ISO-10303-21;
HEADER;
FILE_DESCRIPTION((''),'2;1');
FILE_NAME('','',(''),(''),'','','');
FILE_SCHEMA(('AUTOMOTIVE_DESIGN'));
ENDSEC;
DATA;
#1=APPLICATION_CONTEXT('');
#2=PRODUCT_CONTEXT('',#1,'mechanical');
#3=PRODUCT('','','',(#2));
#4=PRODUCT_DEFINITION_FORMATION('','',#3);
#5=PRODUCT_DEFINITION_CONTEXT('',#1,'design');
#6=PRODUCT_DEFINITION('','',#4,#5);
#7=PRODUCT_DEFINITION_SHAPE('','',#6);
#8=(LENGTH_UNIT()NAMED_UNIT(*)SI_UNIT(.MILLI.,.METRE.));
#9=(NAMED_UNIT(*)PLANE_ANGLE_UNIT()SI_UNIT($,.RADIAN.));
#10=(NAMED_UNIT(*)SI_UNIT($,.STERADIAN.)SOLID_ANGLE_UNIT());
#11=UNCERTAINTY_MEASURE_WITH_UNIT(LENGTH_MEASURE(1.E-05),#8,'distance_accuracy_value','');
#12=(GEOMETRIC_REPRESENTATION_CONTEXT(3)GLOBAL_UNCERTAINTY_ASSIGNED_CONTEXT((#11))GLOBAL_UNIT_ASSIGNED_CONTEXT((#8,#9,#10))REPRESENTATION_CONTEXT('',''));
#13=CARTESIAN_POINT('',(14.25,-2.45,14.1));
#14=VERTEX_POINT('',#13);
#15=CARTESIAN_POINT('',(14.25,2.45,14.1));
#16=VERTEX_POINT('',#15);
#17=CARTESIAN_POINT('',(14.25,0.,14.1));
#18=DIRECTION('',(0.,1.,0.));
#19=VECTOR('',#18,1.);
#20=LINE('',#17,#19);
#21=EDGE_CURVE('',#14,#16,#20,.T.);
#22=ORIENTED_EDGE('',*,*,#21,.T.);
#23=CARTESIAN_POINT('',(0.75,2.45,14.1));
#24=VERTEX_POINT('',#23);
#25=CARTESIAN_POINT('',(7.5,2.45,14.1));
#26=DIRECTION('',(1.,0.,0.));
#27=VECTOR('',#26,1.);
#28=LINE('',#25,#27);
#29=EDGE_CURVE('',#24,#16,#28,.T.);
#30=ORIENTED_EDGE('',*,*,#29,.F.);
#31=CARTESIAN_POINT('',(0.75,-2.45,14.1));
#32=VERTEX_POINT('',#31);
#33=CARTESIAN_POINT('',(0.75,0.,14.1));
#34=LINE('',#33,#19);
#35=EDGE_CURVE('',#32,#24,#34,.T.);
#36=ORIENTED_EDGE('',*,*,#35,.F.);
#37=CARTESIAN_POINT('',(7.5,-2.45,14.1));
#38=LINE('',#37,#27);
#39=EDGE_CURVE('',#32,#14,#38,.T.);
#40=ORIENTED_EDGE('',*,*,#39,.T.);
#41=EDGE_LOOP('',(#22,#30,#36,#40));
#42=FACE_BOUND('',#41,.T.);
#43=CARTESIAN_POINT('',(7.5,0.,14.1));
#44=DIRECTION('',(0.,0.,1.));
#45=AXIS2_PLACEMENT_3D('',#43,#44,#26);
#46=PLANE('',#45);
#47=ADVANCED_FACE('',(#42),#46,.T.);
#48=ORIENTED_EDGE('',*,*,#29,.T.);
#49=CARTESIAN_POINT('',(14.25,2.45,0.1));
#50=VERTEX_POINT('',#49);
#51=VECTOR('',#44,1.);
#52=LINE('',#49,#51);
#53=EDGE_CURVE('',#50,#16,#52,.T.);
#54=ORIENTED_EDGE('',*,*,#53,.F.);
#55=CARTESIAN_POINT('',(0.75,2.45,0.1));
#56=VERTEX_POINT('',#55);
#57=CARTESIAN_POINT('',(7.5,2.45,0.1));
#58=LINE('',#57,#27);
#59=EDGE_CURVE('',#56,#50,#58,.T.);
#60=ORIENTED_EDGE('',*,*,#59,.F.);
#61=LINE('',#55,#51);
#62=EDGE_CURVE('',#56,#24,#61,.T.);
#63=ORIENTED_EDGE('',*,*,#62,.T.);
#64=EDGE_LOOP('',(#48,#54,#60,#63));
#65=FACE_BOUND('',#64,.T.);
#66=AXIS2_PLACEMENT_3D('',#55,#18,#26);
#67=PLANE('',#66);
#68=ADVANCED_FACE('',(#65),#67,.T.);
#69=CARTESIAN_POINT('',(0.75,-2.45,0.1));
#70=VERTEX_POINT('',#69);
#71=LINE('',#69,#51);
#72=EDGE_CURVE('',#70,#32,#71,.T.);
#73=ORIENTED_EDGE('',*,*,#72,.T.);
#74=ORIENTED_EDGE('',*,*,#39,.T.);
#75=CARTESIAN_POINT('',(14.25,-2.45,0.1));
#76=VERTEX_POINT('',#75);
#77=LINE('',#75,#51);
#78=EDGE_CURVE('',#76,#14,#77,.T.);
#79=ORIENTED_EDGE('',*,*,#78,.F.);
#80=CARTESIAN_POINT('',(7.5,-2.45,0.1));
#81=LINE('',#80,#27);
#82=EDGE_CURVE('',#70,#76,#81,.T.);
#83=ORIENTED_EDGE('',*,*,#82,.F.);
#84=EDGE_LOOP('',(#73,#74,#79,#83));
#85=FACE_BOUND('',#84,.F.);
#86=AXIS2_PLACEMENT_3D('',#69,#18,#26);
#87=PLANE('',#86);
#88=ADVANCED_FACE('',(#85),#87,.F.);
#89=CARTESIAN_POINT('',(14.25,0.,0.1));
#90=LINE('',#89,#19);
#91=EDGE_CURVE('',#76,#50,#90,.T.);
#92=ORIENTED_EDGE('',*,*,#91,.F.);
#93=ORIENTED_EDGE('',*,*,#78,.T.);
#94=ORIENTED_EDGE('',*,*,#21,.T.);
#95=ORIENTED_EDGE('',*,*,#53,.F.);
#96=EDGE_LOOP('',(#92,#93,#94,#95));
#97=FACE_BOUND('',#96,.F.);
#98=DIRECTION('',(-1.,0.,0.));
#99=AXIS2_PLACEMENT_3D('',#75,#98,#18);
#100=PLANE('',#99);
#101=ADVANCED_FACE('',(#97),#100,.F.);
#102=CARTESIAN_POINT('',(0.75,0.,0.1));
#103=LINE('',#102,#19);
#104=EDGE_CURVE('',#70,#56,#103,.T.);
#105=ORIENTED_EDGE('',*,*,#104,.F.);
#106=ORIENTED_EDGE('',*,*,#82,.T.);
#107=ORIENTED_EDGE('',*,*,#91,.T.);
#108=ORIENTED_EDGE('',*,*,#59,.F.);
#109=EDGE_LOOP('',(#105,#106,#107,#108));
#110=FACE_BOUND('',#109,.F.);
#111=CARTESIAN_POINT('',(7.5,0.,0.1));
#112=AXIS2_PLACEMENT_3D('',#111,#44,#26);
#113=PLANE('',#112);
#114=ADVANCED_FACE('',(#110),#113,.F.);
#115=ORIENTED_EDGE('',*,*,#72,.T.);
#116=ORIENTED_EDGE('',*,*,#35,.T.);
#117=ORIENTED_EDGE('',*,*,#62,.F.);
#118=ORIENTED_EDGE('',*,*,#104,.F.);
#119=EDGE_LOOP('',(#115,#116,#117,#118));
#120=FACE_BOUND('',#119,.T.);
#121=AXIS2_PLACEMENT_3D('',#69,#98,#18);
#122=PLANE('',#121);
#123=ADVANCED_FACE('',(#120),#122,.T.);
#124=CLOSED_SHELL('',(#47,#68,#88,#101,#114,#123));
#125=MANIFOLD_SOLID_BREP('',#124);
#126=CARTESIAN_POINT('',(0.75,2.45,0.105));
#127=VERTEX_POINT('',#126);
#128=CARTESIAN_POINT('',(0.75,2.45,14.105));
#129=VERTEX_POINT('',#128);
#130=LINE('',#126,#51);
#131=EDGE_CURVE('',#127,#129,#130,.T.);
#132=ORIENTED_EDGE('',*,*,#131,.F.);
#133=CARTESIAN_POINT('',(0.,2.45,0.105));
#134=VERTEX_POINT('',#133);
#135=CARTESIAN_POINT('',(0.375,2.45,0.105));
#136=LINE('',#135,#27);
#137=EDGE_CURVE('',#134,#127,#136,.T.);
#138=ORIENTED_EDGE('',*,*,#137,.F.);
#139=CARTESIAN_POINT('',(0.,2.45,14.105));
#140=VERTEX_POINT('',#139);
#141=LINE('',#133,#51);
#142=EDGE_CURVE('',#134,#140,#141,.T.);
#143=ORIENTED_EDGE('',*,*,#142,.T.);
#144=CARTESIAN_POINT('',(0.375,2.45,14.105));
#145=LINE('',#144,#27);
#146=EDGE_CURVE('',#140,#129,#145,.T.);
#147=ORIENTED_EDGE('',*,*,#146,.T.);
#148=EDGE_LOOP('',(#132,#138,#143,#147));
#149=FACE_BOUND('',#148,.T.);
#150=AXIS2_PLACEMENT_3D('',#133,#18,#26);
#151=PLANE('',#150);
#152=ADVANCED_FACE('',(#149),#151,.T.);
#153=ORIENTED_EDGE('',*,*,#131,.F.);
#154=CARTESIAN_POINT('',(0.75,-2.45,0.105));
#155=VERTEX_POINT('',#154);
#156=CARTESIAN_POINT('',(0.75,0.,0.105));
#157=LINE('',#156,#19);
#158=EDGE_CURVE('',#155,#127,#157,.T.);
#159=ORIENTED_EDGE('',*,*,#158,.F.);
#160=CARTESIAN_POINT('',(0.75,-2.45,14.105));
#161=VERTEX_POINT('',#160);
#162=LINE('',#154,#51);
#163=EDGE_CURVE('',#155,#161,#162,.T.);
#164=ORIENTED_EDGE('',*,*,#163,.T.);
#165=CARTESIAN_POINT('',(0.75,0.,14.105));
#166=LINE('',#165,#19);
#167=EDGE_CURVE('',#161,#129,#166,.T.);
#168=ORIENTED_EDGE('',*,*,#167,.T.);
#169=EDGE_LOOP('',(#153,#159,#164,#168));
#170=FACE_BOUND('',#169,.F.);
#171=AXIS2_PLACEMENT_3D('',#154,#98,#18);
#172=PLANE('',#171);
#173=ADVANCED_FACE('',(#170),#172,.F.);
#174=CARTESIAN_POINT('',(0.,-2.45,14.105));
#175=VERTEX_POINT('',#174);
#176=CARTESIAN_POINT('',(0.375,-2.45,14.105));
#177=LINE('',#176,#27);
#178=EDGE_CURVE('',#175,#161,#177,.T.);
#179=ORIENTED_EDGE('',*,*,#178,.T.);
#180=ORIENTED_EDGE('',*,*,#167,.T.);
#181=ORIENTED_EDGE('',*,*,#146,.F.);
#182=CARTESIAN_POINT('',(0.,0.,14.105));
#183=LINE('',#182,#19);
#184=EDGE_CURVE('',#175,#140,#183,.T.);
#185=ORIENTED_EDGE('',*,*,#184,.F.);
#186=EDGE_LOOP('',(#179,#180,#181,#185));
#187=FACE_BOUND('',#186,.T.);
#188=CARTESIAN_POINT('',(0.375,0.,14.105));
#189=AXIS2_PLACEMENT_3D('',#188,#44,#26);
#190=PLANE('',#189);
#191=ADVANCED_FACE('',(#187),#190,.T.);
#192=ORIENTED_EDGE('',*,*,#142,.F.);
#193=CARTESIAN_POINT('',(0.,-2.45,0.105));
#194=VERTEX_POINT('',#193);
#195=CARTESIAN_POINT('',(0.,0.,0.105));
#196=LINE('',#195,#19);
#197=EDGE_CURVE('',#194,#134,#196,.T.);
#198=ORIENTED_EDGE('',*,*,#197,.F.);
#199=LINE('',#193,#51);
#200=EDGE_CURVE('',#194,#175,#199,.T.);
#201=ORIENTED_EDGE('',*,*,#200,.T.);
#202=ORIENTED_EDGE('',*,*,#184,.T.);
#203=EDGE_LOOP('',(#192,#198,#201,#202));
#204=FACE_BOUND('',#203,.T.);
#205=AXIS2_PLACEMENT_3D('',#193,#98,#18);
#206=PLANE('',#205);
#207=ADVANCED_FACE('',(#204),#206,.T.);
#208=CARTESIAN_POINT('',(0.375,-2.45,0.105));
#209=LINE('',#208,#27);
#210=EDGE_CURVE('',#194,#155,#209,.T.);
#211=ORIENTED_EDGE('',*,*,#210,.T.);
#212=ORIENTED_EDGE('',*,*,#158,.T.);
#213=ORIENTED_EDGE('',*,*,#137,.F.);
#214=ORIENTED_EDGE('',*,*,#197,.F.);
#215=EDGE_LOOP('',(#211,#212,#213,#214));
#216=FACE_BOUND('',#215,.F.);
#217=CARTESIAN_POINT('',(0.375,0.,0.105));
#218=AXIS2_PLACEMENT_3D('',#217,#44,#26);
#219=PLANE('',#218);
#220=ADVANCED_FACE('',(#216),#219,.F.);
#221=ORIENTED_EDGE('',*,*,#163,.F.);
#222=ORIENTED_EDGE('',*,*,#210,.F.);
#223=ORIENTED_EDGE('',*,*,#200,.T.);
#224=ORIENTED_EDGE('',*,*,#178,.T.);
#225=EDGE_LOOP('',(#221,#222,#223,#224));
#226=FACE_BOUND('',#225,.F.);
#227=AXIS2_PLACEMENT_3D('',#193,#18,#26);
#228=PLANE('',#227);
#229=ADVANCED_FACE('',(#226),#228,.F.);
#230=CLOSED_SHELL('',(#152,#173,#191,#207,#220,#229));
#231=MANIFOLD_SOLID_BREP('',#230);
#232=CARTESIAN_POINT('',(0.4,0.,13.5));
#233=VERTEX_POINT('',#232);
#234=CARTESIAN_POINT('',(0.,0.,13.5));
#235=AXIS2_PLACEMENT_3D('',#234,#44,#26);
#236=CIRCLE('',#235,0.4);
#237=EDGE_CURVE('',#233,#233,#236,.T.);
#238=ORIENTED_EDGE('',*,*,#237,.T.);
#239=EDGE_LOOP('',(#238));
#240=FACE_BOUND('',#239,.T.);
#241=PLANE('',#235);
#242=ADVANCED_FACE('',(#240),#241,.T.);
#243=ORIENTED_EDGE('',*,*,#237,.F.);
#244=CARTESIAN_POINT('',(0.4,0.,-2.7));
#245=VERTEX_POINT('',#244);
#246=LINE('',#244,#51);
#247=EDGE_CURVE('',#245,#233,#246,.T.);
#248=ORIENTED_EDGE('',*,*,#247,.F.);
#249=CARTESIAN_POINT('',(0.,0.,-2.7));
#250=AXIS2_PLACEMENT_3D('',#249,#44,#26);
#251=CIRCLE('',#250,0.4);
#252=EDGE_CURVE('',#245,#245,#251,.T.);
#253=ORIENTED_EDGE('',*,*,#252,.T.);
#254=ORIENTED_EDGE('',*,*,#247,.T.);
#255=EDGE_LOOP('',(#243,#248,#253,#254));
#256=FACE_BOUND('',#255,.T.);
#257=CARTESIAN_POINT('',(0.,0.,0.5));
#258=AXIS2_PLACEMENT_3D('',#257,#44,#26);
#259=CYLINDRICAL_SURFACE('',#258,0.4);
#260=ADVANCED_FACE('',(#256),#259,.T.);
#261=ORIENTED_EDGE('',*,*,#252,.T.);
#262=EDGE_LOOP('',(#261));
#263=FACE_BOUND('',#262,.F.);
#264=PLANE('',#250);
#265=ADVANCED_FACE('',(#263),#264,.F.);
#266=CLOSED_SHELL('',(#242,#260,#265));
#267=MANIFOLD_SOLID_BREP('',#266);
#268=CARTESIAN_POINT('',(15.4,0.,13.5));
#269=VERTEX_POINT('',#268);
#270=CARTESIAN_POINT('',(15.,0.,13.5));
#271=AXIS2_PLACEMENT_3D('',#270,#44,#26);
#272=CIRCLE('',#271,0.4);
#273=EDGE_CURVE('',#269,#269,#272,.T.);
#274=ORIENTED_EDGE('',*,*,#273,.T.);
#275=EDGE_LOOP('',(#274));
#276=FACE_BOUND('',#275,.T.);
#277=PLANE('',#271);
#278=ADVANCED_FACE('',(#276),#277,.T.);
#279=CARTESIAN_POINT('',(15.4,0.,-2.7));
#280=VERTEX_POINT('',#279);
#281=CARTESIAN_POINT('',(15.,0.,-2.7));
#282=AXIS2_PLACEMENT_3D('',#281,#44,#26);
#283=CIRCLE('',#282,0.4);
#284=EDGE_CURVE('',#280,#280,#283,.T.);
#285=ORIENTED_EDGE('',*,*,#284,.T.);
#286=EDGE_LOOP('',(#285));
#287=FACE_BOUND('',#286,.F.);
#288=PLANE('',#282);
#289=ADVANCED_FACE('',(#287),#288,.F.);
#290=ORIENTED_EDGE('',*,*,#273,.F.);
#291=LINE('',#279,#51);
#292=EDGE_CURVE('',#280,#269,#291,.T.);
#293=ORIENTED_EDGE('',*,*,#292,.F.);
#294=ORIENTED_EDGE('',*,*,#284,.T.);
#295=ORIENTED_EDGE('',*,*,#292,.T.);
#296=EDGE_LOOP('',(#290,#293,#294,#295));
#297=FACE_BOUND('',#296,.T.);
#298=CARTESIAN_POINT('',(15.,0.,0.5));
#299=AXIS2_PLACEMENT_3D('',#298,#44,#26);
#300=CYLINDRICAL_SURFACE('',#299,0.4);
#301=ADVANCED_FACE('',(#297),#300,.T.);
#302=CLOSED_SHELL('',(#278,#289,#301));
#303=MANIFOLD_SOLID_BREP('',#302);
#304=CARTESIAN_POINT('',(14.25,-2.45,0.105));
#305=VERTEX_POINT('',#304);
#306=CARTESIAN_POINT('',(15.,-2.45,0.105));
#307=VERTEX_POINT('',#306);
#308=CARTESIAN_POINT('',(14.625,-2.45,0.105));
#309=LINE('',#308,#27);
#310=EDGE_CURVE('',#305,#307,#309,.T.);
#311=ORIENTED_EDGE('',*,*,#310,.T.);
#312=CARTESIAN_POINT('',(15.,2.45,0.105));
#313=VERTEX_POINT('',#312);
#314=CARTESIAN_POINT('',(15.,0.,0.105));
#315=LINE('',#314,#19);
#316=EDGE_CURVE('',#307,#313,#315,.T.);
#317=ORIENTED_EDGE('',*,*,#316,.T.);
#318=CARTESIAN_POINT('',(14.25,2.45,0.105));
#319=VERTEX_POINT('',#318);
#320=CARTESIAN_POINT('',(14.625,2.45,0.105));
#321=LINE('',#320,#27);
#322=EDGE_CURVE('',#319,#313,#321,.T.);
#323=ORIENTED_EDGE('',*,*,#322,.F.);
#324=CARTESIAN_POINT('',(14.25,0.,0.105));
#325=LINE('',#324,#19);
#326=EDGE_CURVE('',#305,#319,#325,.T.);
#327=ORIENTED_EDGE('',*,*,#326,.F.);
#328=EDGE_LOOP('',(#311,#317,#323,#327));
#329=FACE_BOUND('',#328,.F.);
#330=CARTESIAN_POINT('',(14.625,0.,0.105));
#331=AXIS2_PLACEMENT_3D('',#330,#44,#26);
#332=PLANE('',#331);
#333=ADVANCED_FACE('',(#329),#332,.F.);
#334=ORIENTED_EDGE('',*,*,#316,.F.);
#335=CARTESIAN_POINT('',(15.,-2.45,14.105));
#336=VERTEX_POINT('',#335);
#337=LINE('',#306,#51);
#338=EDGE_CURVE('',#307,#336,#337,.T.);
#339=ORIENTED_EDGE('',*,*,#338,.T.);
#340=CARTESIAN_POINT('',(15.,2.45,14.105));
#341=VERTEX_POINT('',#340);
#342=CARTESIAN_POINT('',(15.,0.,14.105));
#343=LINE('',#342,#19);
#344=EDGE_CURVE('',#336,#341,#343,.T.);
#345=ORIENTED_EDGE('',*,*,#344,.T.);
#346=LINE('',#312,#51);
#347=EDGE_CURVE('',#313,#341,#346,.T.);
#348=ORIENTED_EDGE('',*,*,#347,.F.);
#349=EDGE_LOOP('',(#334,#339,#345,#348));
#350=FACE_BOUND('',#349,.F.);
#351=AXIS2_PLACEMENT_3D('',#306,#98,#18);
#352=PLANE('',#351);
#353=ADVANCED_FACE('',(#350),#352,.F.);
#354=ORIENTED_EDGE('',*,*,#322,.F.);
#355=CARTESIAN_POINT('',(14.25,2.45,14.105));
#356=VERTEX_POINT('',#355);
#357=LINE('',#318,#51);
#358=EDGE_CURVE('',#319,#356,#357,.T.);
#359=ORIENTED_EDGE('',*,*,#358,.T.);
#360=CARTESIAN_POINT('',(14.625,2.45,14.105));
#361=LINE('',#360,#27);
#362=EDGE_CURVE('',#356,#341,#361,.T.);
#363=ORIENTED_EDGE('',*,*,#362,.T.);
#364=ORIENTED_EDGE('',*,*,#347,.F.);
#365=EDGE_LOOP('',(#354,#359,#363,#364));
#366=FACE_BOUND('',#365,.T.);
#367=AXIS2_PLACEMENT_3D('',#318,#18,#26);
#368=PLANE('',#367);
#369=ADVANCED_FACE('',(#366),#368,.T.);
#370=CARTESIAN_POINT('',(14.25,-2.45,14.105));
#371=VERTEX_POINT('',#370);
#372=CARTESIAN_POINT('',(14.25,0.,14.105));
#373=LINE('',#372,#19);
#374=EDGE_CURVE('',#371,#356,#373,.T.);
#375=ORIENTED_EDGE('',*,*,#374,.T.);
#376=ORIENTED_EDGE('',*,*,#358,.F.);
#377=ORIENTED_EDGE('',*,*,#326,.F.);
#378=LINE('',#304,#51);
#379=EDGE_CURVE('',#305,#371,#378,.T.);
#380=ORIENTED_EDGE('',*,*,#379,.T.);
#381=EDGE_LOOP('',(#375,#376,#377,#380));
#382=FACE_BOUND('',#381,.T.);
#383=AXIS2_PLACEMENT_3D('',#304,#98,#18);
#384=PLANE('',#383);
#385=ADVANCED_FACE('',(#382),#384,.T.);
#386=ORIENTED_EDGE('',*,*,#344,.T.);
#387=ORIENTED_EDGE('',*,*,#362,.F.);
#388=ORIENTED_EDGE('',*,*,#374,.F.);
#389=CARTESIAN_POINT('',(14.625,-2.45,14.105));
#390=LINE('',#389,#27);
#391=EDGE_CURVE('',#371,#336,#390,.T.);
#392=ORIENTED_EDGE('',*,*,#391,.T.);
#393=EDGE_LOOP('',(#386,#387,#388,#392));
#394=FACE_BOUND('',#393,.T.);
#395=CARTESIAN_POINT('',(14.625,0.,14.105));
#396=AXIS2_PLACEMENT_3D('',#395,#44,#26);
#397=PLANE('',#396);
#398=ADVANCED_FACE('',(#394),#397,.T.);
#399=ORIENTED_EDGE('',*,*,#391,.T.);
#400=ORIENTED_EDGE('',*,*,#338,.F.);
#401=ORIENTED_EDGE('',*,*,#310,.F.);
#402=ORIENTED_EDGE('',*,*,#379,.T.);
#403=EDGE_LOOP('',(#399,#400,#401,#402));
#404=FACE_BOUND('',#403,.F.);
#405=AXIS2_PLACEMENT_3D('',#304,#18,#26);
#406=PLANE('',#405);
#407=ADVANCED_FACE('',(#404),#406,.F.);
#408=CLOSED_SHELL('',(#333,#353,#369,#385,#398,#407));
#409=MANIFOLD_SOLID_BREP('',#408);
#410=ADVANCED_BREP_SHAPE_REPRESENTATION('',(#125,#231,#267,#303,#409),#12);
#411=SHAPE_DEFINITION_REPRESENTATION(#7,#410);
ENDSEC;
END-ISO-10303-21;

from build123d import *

# Parameters (mm, degrees)
SKETCH_W          = 13.5
SKETCH_H          = 4.9
PAD_DEPTH         = 14
SKETCH001_R       = 0.4
PAD001_DEPTH      = 13
PAD001_DEPTH_BACK = 3.2
SKETCH002_W       = 0.75
SKETCH002_H       = 4.9
PAD002_DEPTH      = 14


with BuildPart() as pad:
    # Sketch → Pad (new body)
    with BuildSketch(Plane.XY.offset(0.1)):
        with Locations((7.5, 0)):
            Rectangle(SKETCH_W, SKETCH_H)
    extrude(amount=PAD_DEPTH)


with BuildPart() as pad001:
    # Sketch001 → Pad001 (new body, two sides)
    with BuildSketch(Plane.XY.offset(0.5)) as pad001_sk:
        Circle(SKETCH001_R)
        with Locations((15, 0)):
            Circle(SKETCH001_R)
    extrude(amount=PAD001_DEPTH)
    extrude(pad001_sk.sketch, amount=-PAD001_DEPTH_BACK)


with BuildPart() as pad002:
    # Sketch002 → Pad002 (new body)
    with BuildSketch(Plane.XY.offset(0.105)):
        with Locations((0.375, 0)):
            Rectangle(SKETCH002_W, SKETCH002_H)
        with Locations((14.625, 0)):
            Rectangle(SKETCH002_W, SKETCH002_H)
    extrude(amount=PAD002_DEPTH)


solid = Compound([pad.part, pad001.part, pad002.part])
